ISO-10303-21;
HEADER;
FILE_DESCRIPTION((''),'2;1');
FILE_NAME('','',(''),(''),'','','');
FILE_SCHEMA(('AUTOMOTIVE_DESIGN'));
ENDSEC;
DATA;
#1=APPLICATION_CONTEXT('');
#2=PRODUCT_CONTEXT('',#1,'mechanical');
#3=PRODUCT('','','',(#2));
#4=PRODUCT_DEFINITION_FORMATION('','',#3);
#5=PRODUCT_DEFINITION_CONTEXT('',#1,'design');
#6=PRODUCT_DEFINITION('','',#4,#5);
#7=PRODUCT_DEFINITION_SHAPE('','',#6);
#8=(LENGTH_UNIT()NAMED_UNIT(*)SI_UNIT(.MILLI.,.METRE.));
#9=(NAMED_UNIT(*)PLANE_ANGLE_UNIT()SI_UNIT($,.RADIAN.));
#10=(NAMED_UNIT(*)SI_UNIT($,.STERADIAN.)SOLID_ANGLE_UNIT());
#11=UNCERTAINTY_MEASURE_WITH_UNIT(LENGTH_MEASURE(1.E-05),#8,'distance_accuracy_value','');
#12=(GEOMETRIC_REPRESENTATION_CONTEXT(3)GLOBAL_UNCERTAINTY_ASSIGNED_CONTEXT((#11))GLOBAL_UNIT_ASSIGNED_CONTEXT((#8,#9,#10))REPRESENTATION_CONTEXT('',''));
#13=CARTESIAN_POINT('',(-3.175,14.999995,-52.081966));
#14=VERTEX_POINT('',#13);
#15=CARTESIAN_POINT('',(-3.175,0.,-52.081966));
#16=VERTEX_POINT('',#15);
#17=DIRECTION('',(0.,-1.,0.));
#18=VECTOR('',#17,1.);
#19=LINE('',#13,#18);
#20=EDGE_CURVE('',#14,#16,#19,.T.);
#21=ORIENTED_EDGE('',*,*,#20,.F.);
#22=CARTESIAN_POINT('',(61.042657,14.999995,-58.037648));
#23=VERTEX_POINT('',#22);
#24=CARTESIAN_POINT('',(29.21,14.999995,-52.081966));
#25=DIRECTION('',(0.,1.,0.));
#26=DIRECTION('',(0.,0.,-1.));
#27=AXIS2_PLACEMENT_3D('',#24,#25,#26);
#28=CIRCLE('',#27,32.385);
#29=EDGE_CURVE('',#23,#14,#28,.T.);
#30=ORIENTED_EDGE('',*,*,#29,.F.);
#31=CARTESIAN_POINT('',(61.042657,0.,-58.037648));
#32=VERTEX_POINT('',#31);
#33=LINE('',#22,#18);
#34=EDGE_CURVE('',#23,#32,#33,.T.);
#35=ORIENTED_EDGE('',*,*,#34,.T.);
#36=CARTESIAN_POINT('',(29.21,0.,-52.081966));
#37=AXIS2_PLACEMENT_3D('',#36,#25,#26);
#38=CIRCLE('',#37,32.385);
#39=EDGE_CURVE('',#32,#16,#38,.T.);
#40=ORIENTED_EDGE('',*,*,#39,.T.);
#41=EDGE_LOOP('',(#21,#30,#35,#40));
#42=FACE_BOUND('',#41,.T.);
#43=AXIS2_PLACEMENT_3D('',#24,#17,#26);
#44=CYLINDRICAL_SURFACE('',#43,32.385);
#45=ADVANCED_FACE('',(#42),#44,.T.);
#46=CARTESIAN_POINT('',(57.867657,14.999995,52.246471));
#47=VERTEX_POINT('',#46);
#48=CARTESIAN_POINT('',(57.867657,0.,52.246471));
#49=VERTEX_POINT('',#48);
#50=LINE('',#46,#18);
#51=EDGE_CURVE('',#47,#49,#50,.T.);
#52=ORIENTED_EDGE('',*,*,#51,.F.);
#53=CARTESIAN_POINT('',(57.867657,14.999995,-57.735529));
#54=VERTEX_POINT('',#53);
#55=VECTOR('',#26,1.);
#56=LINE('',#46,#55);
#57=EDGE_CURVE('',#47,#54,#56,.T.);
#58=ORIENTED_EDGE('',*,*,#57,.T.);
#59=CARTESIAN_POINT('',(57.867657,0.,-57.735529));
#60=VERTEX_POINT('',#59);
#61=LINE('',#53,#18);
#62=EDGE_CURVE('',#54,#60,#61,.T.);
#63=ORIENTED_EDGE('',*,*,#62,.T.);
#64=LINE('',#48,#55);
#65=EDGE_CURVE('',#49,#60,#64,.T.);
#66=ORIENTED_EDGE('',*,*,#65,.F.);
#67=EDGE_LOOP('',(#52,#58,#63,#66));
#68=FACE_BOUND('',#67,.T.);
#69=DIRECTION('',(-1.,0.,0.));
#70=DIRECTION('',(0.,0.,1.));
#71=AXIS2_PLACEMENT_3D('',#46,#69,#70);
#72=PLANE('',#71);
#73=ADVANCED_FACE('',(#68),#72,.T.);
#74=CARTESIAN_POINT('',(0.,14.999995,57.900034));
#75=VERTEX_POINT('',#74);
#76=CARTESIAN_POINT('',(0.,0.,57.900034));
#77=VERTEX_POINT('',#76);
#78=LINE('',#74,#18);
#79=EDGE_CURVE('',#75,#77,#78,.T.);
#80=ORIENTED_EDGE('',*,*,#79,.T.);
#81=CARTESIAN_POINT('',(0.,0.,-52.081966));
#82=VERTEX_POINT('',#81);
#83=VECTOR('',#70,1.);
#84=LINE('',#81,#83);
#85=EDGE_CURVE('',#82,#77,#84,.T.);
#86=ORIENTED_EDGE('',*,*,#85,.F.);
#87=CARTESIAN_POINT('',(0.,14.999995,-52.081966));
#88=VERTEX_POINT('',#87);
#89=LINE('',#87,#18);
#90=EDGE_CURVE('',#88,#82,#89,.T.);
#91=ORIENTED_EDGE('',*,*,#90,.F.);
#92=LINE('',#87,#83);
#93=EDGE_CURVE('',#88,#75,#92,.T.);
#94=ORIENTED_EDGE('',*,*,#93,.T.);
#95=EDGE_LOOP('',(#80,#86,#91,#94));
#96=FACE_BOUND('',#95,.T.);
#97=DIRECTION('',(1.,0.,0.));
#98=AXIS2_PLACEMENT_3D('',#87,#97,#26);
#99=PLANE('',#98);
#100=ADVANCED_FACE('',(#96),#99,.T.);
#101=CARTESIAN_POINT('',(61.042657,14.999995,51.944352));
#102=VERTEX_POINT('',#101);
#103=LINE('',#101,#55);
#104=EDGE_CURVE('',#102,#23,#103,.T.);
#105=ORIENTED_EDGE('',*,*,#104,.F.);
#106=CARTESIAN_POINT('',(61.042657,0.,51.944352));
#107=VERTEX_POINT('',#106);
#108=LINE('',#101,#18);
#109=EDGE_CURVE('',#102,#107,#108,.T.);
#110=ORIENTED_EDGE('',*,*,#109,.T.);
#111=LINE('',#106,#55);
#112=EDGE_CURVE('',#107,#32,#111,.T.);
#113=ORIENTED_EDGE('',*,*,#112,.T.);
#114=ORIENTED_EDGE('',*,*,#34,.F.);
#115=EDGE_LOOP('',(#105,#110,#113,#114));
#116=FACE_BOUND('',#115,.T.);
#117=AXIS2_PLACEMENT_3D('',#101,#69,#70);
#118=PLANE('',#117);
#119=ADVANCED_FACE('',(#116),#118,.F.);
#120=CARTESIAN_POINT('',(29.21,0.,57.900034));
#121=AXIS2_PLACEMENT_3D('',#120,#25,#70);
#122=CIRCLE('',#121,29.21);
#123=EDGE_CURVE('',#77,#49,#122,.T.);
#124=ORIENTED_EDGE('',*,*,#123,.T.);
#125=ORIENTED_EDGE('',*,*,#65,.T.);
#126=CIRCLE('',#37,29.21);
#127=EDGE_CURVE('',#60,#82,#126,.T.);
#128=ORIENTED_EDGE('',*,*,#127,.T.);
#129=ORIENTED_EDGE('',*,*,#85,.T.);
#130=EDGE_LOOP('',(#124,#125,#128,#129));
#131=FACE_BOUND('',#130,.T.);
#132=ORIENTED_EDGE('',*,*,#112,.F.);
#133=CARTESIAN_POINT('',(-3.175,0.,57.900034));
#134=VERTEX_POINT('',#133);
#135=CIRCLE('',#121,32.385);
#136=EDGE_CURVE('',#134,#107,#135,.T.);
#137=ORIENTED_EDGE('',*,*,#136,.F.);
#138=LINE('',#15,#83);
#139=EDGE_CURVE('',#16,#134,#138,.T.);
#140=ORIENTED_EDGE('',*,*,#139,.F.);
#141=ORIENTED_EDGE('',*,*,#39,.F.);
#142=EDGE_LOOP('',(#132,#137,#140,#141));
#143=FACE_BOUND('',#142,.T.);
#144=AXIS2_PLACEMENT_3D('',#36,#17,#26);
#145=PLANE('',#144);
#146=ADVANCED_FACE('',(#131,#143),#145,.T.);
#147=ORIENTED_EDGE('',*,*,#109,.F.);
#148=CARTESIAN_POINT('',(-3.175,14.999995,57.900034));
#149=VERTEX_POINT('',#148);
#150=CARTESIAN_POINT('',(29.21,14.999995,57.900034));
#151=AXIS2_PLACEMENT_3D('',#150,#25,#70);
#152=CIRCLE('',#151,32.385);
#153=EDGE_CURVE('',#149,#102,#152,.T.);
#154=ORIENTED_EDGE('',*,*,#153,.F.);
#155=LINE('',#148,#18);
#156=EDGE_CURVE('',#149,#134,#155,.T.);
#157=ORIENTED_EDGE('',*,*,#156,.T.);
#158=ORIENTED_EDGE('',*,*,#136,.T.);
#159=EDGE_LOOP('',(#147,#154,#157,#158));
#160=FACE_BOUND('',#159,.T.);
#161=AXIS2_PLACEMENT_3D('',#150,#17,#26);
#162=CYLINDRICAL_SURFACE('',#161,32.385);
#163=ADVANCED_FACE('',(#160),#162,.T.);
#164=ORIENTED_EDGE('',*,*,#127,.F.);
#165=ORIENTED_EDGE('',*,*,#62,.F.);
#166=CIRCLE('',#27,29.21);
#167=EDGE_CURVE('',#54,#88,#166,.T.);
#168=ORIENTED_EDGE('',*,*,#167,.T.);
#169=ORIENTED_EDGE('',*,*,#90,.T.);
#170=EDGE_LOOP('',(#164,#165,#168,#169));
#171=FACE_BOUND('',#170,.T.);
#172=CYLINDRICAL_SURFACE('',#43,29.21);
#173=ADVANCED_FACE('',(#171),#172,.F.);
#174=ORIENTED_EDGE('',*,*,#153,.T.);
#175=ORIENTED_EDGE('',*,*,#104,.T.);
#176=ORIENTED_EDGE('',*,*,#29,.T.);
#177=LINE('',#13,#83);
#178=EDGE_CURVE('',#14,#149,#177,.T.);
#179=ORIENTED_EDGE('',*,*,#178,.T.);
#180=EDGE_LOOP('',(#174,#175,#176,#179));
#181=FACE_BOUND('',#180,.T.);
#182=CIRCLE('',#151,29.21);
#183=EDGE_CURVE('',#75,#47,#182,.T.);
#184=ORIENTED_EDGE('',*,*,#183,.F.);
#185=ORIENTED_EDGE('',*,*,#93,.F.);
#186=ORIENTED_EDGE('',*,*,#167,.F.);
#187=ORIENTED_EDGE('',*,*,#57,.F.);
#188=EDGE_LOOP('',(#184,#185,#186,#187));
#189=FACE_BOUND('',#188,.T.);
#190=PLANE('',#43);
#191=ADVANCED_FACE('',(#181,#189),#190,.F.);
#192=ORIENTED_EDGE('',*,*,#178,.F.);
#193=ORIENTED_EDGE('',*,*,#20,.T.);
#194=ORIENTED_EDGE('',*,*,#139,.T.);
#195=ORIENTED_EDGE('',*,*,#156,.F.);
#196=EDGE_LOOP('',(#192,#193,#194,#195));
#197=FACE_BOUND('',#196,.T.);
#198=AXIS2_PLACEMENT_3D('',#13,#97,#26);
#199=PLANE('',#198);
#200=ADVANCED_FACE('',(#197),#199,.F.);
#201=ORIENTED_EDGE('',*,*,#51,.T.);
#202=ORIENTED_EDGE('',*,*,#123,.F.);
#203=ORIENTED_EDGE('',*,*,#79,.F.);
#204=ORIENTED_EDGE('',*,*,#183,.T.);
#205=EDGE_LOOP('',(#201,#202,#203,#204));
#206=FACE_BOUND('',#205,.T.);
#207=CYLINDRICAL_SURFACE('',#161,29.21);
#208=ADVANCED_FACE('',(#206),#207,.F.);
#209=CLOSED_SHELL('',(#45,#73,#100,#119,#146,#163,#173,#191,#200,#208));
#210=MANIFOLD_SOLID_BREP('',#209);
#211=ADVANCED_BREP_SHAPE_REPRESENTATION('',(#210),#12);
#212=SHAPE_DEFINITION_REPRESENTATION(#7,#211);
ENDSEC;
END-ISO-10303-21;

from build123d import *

# Parameters (mm, degrees)
BOSS_EXTRUDE1_DEPTH = 14.9999954


with BuildPart() as part:
    # Sketch1 → Boss-Extrude1 (new body)
    with BuildSketch(Plane(origin=(0, 0, 0), x_dir=(1, 0, 0), z_dir=(0, 1, 0))):
        with BuildLine():
            Line((61.042657366, -51.944352263), (61.042657366, 58.037647737))
            ThreePointArc((61.042657366, 58.037647737), (26.219379981, 84.328584265), (-3.175, 52.081965576))
            Line((-3.175, 52.081965576), (-3.175, -57.900034424))
            ThreePointArc((-3.175, -57.900034424), (32.200620019, -90.146653113), (61.042657366, -51.944352263))
        make_face()
        with BuildLine():
            Line((0, 52.081965576), (0, -57.900034424))
            ThreePointArc((0, -57.900034424), (32.05024016, -86.971620824), (57.867657366, -52.246471452))
            Line((57.867657366, -52.246471452), (57.867657366, 57.735528548))
            ThreePointArc((57.867657366, 57.735528548), (26.36975984, 81.153551976), (0, 52.081965576))
        make_face(mode=Mode.SUBTRACT)
    extrude(amount=BOSS_EXTRUDE1_DEPTH)


solid = part.part
